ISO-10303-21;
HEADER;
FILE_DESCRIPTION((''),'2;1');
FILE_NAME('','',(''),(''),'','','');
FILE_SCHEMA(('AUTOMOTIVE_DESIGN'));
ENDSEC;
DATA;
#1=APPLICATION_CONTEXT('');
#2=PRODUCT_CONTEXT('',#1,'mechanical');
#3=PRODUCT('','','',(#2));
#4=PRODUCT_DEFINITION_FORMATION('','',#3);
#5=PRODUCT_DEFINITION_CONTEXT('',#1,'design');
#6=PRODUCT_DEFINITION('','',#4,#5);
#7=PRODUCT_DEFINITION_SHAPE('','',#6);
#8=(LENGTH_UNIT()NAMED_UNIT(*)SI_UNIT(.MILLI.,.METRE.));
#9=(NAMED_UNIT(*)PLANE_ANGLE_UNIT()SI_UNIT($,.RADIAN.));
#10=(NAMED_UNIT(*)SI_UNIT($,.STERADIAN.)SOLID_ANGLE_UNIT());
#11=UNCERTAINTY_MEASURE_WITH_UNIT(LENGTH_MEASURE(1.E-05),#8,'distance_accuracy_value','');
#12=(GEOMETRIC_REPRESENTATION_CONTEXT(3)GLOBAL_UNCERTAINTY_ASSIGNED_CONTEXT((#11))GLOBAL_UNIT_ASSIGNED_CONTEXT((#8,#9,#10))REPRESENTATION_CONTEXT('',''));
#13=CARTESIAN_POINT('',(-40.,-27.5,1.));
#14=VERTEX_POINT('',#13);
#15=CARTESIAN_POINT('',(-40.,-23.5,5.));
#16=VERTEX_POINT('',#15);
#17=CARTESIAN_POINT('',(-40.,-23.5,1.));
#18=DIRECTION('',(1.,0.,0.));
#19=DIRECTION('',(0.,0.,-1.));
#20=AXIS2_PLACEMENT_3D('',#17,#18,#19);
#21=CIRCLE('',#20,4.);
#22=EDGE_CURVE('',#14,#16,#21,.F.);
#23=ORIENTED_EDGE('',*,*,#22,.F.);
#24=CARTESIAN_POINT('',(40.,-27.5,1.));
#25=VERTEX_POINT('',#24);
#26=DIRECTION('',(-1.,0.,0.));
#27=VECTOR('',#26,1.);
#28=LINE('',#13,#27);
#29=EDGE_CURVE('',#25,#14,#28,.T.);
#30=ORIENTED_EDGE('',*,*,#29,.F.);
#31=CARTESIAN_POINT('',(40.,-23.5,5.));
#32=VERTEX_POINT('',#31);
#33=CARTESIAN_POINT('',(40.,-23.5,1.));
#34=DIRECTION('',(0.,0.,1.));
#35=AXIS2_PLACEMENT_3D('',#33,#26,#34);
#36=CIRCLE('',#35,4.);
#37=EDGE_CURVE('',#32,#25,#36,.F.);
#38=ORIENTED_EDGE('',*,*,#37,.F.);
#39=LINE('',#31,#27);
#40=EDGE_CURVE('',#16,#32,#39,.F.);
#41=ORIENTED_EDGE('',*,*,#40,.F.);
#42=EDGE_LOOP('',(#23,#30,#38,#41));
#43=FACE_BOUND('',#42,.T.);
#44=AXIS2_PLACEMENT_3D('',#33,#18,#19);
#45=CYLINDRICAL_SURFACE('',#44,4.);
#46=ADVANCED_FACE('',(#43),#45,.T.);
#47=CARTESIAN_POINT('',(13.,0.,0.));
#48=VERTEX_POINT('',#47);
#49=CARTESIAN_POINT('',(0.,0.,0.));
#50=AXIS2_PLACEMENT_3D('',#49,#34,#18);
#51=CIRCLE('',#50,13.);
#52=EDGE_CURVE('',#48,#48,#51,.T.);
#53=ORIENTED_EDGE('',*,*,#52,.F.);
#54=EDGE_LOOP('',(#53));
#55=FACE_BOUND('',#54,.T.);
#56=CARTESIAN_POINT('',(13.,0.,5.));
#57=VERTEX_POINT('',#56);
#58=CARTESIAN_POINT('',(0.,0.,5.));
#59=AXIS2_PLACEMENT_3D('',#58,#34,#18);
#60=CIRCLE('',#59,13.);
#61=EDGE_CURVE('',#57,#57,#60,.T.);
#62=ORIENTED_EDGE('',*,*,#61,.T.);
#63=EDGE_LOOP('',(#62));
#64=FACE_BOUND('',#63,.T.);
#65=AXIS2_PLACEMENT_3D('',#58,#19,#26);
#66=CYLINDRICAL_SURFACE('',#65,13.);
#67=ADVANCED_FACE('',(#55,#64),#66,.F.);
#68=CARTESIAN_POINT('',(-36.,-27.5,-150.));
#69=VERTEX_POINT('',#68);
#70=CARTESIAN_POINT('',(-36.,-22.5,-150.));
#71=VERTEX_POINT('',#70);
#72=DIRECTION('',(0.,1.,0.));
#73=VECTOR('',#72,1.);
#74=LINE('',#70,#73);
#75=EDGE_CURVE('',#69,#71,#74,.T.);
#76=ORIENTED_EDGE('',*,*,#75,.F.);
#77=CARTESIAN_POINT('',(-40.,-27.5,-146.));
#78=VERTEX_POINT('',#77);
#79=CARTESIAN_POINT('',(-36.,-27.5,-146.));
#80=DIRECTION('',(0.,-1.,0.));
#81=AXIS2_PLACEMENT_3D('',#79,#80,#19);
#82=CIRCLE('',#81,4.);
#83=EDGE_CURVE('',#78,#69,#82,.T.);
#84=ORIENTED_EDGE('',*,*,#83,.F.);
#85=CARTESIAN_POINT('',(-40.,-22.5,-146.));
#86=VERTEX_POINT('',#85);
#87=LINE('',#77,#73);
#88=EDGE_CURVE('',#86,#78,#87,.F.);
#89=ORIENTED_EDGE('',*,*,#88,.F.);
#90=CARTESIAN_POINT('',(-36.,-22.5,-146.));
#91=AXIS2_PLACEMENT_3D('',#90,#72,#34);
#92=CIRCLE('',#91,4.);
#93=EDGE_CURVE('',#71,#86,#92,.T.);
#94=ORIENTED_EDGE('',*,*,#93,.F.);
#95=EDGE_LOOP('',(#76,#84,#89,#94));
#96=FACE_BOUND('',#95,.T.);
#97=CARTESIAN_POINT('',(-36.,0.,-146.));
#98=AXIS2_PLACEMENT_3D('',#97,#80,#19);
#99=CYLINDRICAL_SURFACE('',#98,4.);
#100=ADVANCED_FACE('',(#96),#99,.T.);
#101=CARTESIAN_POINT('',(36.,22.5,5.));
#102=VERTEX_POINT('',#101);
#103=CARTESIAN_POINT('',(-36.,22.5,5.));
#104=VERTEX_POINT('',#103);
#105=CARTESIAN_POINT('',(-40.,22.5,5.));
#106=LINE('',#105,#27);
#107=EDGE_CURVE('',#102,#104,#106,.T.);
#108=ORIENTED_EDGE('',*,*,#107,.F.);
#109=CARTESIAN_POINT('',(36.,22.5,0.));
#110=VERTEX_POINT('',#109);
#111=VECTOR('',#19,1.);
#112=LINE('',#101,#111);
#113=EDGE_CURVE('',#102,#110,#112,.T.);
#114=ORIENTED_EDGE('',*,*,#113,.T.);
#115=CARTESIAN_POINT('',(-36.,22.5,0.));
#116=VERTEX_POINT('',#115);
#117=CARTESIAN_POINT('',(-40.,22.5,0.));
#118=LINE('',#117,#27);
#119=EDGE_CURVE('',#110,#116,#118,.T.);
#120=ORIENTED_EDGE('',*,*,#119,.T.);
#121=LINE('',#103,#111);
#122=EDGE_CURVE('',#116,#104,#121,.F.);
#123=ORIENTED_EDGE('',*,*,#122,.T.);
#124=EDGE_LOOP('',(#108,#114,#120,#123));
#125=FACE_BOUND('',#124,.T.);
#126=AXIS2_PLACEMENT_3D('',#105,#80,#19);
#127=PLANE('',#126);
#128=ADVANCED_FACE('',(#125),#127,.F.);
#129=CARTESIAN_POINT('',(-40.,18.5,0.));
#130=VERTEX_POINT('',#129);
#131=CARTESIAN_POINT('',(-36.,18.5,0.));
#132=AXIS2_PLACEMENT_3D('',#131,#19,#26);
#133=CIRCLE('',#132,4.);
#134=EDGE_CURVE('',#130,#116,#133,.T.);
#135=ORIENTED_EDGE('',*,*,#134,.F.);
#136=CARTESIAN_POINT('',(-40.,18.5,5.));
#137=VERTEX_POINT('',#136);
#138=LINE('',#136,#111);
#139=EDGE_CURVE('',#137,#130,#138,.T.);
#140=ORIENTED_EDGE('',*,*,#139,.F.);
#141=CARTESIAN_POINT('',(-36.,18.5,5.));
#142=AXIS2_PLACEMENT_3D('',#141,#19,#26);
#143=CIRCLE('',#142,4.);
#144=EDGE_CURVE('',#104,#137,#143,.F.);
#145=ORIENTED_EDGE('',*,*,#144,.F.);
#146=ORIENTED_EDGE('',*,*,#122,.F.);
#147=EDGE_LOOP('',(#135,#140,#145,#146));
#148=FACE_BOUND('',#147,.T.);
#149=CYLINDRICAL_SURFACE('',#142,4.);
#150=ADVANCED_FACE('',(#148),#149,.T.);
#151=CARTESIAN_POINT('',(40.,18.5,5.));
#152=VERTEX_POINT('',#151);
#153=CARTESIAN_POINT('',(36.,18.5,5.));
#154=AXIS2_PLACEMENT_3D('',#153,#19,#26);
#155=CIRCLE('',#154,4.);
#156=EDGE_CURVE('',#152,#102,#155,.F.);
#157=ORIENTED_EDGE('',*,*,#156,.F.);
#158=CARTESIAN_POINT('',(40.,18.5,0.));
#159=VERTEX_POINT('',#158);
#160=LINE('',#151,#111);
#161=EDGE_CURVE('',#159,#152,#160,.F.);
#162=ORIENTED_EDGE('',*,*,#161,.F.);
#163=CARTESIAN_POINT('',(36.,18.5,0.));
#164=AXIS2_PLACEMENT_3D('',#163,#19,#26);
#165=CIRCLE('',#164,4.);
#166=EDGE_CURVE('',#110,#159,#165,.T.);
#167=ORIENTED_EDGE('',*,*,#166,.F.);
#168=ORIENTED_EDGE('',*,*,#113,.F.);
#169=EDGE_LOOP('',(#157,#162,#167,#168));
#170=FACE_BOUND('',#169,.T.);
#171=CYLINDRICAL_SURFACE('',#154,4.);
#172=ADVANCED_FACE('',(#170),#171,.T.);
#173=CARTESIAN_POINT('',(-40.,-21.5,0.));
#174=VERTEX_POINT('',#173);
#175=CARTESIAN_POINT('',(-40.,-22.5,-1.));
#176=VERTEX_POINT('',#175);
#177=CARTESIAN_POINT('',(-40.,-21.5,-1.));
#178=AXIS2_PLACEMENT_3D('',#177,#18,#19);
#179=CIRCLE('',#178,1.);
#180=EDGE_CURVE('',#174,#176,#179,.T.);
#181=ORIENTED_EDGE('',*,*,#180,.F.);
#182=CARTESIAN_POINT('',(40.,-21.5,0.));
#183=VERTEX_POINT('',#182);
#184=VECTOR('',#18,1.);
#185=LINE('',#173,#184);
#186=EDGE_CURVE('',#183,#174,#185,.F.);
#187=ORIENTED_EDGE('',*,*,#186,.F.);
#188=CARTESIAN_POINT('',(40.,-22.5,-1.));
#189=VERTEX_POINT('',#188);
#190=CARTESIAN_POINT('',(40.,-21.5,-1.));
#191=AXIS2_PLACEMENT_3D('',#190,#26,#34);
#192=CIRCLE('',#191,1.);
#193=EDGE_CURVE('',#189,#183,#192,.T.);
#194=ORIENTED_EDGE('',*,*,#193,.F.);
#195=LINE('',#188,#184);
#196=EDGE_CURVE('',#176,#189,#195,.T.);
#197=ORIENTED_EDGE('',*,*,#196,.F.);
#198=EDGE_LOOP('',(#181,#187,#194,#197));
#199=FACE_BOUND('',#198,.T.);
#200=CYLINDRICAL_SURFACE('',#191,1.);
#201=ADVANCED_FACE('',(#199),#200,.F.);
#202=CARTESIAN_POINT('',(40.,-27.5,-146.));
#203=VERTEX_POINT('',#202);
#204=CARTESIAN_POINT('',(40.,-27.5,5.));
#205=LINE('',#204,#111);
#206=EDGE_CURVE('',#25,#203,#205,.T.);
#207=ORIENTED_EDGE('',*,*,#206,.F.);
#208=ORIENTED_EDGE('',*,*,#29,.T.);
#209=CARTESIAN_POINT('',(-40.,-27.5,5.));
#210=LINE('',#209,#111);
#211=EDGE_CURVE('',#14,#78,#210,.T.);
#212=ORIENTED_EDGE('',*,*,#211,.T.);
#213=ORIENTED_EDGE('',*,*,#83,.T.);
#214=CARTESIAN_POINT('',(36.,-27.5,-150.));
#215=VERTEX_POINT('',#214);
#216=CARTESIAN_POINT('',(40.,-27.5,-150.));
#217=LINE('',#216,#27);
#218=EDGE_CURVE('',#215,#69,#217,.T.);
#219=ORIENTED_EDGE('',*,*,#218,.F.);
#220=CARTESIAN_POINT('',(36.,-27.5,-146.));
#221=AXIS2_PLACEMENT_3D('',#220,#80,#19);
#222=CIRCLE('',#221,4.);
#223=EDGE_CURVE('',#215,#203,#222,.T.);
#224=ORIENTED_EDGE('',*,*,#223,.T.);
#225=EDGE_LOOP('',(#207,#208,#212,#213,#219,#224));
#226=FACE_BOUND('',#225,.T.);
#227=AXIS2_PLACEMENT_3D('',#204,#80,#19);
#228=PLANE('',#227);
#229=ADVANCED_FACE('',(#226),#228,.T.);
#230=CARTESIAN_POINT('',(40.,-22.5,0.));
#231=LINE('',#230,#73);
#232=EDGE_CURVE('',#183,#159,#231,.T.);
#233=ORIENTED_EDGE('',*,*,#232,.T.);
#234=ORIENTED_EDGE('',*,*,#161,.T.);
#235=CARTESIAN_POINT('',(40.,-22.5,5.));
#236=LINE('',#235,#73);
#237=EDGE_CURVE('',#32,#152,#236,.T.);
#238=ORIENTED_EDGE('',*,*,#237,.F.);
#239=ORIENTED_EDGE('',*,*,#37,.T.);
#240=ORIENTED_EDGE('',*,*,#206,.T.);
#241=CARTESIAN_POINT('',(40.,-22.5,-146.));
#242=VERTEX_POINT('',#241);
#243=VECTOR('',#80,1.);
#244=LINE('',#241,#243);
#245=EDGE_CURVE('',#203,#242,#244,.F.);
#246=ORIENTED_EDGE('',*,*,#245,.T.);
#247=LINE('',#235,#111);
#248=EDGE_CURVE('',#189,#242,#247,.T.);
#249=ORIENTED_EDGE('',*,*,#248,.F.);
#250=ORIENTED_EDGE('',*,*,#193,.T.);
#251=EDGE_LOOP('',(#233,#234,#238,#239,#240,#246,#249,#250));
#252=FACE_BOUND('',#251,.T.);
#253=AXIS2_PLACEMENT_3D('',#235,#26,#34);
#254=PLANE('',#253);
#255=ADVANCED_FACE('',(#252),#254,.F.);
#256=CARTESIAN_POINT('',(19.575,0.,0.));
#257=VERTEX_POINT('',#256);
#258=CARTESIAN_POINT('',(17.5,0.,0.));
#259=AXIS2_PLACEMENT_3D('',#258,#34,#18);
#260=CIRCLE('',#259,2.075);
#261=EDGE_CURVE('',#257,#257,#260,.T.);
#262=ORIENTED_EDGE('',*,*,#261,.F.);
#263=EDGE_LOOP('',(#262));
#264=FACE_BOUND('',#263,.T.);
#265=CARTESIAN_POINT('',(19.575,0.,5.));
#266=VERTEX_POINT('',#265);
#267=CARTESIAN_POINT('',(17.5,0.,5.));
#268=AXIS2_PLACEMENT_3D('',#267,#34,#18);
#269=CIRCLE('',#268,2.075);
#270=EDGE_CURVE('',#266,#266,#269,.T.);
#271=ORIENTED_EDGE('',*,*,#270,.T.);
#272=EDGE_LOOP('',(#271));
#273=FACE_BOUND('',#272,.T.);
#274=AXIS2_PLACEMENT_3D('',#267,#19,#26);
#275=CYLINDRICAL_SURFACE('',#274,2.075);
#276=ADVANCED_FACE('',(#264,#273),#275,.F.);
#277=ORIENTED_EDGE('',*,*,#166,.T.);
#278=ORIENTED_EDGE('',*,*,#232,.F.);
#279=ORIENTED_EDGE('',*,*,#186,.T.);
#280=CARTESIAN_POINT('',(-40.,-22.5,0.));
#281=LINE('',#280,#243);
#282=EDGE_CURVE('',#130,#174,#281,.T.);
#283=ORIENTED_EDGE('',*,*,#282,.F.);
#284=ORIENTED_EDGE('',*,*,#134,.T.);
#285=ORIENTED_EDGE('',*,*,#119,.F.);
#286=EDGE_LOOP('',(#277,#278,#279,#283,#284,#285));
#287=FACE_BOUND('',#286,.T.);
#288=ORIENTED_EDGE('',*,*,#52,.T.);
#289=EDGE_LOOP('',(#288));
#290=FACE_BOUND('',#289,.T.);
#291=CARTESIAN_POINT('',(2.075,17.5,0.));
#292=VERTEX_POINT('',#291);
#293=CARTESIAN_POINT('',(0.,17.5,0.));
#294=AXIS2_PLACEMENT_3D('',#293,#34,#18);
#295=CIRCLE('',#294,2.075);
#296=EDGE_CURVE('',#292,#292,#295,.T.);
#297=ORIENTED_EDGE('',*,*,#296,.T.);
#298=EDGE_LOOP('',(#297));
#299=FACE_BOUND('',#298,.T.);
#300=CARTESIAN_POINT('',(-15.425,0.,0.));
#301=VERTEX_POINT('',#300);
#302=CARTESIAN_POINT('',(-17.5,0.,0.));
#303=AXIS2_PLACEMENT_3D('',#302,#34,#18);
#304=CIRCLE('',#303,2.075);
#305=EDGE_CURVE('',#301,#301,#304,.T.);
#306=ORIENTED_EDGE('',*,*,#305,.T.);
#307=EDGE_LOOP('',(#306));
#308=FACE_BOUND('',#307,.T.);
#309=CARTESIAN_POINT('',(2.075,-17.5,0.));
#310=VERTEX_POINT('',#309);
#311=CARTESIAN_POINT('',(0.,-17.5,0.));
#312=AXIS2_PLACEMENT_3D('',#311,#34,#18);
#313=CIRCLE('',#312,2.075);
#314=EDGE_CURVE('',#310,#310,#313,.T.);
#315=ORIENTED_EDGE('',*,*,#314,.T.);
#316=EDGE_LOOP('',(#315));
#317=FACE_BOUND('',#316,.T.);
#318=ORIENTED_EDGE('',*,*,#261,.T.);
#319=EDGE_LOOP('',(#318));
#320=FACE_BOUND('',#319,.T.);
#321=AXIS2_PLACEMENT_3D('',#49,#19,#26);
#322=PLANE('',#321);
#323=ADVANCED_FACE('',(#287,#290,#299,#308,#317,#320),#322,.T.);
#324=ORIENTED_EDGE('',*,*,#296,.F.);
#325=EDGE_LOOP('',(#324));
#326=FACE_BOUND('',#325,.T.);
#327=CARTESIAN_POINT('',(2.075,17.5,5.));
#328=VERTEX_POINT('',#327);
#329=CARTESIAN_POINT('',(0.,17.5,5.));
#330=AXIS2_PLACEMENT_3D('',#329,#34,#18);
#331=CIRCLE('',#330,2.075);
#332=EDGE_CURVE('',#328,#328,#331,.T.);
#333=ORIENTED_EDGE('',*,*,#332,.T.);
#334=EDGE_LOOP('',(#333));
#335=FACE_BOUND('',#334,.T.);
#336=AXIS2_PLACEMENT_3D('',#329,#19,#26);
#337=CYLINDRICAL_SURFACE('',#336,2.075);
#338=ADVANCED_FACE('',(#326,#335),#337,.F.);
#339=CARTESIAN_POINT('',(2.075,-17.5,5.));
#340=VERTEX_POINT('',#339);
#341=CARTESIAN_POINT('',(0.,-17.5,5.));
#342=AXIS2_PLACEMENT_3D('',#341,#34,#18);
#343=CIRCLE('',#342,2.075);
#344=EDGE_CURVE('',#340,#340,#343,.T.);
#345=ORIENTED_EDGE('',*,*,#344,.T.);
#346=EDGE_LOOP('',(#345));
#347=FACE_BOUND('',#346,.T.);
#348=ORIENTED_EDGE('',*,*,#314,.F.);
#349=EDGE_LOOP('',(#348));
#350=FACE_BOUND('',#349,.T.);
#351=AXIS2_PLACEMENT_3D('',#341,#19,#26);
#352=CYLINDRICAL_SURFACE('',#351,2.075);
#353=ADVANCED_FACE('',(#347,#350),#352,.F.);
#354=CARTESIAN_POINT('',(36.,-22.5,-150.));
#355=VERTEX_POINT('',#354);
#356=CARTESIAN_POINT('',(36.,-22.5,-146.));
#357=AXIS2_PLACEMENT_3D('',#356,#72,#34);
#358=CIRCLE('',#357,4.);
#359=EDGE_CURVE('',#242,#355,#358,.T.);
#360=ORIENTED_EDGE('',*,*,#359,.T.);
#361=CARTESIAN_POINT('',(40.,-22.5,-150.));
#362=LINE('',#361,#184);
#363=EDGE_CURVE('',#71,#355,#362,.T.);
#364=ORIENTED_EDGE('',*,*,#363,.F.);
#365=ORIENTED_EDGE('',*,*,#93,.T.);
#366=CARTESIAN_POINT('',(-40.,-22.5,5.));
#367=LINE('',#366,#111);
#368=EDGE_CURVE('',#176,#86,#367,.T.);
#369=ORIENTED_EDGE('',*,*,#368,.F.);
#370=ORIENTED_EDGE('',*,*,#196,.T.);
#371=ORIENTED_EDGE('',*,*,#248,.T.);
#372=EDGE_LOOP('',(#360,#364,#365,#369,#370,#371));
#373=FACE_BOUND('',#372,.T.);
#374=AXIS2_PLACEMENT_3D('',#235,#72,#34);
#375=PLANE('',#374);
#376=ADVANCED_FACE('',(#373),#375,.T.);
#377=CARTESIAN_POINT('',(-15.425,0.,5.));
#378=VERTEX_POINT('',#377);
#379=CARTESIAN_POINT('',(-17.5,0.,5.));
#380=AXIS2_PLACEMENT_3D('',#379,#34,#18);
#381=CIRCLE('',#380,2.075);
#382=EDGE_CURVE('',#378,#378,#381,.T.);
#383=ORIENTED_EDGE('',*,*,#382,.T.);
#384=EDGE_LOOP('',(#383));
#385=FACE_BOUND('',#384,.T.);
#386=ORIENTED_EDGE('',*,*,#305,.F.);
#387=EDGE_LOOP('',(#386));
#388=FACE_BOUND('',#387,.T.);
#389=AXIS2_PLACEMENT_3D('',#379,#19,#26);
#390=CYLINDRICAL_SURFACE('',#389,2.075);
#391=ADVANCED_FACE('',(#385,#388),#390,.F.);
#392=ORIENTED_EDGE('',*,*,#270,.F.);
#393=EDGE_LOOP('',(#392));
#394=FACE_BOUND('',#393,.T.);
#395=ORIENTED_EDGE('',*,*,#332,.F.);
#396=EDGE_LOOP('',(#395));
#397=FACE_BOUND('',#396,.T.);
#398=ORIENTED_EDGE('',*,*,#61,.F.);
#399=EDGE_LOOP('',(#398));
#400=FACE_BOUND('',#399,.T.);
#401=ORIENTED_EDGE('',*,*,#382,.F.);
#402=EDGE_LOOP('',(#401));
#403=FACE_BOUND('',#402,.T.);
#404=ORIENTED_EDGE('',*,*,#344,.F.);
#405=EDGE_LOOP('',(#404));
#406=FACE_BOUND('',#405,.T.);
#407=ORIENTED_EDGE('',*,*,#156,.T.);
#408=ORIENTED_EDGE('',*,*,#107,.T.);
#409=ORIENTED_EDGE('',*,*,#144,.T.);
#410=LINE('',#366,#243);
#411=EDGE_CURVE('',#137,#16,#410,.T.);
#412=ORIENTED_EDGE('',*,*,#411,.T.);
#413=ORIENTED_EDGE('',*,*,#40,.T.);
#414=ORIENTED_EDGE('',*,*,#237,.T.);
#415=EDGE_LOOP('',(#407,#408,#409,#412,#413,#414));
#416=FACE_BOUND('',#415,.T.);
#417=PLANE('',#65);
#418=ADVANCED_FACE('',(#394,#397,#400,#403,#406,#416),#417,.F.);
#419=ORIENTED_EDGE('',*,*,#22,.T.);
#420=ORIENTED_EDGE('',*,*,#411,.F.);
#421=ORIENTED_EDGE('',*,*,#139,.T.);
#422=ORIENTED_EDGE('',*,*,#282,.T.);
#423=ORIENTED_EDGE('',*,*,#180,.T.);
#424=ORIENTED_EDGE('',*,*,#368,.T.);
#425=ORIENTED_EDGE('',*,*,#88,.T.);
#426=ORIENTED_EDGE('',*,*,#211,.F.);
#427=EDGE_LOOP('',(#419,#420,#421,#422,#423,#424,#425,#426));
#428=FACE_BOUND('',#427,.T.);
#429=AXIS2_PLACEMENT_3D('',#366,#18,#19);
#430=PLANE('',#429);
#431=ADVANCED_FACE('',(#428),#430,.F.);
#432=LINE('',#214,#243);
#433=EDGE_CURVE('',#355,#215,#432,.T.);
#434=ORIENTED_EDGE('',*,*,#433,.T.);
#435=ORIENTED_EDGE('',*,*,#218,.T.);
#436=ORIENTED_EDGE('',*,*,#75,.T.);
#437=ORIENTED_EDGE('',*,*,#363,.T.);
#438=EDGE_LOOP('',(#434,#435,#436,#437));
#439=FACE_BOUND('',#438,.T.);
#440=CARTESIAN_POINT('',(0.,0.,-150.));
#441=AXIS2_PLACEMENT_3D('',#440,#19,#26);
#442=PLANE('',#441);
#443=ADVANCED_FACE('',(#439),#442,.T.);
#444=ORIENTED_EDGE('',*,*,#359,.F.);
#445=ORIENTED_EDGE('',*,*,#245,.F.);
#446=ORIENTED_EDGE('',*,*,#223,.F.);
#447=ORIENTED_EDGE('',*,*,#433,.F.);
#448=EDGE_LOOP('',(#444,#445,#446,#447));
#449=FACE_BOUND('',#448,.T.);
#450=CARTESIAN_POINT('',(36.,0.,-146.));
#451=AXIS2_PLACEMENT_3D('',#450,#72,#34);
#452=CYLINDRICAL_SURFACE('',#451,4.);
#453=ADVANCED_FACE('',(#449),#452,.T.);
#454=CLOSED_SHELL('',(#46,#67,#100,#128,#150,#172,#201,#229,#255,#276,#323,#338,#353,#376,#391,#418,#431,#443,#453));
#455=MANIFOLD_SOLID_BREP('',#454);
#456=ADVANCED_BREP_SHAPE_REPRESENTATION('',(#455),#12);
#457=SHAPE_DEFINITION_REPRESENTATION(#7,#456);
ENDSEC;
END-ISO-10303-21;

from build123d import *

# Parameters (mm, degrees)
SKETCH1_W                = 80
SKETCH1_H                = 45
SKETCH1_R                = 13
SKETCH1_R_2              = 2.075
BOSS_EXTRUDE1_DEPTH      = 5
BOSS_EXTRUDE2_DEPTH      = 150
BOSS_EXTRUDE2_DEPTH_BACK = 5
SKETCH2_W                = 80
SKETCH2_H                = 5
FILLET1_R                = 4
FILLET2_R                = 1


with BuildPart() as part:
    # Sketch1 → Boss-Extrude1 (new body)
    with BuildSketch(Plane.XY):
        Rectangle(SKETCH1_W, SKETCH1_H)
        Circle(SKETCH1_R, mode=Mode.SUBTRACT)
        with Locations((0, 17.5)):
            Circle(SKETCH1_R_2, mode=Mode.SUBTRACT)
        with Locations((17.5, 0)):
            Circle(SKETCH1_R_2, mode=Mode.SUBTRACT)
        with Locations((0, -17.5)):
            Circle(SKETCH1_R_2, mode=Mode.SUBTRACT)
        with Locations((-17.5, 0)):
            Circle(SKETCH1_R_2, mode=Mode.SUBTRACT)
    extrude(amount=BOSS_EXTRUDE1_DEPTH)

    # Sketch2 → Boss-Extrude2 (add, two sides: drawn at the far end of the back side and taken through both)
    with BuildSketch(Plane(origin=(0, 0, 0), x_dir=(-1, 0, 0), z_dir=(0, 0, -1)).offset(-BOSS_EXTRUDE2_DEPTH_BACK)):
        with Locations((0, -25)):
            Rectangle(SKETCH2_W, SKETCH2_H)
    extrude(amount=BOSS_EXTRUDE2_DEPTH + BOSS_EXTRUDE2_DEPTH_BACK)

    # Fillet1
    fillet1_edges = [part.edges().sort_by_distance(p)[0] for p in [
        (0, -27.5, 5),
        (40, -25, -150),
        (-40, -25, -150),
        (-40, 22.5, 2.5),
        (40, 22.5, 2.5),
    ]]
    fillet(fillet1_edges, radius=FILLET1_R)

    # Fillet2
    fillet2_edges = [part.edges().sort_by_distance(p)[0] for p in [
        (0, -22.5, 0),
    ]]
    fillet(fillet2_edges, radius=FILLET2_R)


solid = part.part
